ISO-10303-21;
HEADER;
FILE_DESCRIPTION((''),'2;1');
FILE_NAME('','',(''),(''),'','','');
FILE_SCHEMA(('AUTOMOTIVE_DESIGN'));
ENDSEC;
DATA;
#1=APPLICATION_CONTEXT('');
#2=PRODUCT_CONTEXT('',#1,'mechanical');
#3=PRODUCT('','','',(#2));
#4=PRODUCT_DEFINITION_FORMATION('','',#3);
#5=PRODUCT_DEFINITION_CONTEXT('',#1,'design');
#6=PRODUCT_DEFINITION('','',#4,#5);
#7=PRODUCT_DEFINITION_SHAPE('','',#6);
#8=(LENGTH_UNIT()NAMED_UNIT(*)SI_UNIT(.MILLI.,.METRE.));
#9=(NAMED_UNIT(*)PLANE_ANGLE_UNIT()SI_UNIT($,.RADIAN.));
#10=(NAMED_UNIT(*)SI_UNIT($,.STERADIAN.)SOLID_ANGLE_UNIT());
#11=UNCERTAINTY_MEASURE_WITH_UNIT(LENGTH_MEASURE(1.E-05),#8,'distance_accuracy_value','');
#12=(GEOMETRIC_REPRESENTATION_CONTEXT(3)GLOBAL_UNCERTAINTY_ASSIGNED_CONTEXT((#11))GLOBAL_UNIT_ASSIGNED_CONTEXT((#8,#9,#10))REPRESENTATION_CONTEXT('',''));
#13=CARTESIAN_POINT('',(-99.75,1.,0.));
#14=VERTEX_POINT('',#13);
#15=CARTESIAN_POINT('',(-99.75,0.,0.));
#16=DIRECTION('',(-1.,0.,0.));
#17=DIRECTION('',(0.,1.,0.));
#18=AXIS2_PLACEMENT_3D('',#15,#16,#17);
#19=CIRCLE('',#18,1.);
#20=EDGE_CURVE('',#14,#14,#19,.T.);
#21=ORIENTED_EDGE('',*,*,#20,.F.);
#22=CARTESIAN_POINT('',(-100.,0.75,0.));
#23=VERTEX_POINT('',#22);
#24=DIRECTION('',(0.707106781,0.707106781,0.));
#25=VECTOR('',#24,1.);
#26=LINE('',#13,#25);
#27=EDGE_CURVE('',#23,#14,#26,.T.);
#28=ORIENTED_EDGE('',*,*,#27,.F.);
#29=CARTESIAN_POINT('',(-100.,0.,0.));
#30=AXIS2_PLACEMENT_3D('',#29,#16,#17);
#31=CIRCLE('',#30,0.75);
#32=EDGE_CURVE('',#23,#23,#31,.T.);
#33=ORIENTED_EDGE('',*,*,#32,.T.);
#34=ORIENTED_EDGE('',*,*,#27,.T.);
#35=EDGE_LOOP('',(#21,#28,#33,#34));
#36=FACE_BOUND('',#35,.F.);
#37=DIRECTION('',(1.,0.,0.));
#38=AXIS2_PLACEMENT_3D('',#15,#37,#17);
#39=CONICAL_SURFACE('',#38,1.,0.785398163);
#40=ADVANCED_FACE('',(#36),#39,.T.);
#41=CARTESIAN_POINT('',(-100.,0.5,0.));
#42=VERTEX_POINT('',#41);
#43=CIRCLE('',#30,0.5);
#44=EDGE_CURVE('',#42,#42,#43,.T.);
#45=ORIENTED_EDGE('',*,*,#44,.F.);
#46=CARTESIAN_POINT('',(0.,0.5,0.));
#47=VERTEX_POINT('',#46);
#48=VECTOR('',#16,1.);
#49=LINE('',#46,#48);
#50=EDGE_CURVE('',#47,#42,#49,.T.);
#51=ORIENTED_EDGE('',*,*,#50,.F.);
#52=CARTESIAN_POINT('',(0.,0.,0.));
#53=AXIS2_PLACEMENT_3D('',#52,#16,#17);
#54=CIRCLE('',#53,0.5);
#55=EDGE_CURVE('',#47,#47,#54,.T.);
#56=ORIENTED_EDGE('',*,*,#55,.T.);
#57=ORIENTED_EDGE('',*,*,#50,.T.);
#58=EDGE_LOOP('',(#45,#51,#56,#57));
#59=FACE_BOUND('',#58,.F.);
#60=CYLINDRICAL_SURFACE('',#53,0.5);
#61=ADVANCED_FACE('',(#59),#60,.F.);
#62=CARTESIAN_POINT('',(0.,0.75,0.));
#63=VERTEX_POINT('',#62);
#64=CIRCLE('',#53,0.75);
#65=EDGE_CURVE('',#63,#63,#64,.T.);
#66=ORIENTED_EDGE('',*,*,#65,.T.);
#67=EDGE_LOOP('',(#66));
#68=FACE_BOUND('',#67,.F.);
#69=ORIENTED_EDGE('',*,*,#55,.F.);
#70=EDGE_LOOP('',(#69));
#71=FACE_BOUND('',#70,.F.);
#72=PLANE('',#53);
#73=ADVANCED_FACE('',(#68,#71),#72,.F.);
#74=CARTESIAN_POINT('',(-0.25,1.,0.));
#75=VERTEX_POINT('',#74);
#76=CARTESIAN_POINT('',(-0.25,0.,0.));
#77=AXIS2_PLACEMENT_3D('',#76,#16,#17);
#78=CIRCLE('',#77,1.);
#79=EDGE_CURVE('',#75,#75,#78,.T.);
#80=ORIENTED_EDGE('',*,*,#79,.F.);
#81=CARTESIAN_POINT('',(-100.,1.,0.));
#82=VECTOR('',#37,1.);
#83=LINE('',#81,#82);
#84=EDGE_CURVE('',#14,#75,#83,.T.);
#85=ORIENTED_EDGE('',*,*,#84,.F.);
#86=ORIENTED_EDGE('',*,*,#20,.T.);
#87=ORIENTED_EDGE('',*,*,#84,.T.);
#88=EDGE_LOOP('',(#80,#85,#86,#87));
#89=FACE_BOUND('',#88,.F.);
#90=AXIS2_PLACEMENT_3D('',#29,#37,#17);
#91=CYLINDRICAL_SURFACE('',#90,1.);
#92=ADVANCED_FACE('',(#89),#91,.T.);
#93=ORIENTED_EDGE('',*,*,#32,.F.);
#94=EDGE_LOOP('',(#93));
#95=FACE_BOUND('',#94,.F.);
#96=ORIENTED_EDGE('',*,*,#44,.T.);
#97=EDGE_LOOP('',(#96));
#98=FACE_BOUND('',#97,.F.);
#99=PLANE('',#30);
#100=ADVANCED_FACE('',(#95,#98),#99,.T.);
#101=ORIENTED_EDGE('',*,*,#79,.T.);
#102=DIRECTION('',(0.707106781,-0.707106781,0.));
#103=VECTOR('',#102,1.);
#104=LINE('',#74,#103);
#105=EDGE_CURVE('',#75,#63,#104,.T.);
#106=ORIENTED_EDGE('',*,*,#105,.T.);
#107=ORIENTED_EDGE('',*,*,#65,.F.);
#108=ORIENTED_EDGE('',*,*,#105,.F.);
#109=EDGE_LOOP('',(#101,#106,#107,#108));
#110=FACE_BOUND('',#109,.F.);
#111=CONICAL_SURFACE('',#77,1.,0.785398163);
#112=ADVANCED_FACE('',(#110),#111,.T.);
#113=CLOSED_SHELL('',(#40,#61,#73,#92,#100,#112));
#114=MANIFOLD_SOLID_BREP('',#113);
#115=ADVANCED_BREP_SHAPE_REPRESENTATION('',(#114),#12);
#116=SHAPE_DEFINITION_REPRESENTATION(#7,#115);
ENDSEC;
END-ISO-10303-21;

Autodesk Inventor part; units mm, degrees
ref_plane "YZ Plane" through (0, 0, 0) normal (1, 0, 0) x (0, 1, 0)
ref_plane "XZ Plane" through (0, 0, 0) normal (0, 1, 0) x (-1, 0, 0)
ref_plane "XY Plane" through (0, 0, 0) normal (0, 0, 1) x (1, 0, 0)
sketch "Sketch1" plane through (0, 0, 0) normal (0, 0, 1) x (1, 0, 0)
  line L0 (0, 0.5) -> (-100, 0.5)
  line L1 (-100, 0.5) -> (-100, 1)
  line L2 (-100, 1) -> (0, 1)
  line L3 (0, 1) -> (0, 0.5)
  line L4 (0, 0.5) -> (0, 0) construction
  line L5 (0, 0) -> (-100, 0) construction
  line L6 (-100, 0) -> (-100, 0.5) construction
  dimension "d0" = 0.5
  dimension "d1" = 1
  dimension "d2" = 100
revolve "Revolution1" add sketch "Sketch1" angle 360 about axis through (0, 0, 0) along (-1, 0, 0)
chamfer "Chamfer1" distance 0.25 angle 45 2 edges at (0, -1, 0) (-100, -1, 0)
properties part number "CF Tube 4x2x100"
